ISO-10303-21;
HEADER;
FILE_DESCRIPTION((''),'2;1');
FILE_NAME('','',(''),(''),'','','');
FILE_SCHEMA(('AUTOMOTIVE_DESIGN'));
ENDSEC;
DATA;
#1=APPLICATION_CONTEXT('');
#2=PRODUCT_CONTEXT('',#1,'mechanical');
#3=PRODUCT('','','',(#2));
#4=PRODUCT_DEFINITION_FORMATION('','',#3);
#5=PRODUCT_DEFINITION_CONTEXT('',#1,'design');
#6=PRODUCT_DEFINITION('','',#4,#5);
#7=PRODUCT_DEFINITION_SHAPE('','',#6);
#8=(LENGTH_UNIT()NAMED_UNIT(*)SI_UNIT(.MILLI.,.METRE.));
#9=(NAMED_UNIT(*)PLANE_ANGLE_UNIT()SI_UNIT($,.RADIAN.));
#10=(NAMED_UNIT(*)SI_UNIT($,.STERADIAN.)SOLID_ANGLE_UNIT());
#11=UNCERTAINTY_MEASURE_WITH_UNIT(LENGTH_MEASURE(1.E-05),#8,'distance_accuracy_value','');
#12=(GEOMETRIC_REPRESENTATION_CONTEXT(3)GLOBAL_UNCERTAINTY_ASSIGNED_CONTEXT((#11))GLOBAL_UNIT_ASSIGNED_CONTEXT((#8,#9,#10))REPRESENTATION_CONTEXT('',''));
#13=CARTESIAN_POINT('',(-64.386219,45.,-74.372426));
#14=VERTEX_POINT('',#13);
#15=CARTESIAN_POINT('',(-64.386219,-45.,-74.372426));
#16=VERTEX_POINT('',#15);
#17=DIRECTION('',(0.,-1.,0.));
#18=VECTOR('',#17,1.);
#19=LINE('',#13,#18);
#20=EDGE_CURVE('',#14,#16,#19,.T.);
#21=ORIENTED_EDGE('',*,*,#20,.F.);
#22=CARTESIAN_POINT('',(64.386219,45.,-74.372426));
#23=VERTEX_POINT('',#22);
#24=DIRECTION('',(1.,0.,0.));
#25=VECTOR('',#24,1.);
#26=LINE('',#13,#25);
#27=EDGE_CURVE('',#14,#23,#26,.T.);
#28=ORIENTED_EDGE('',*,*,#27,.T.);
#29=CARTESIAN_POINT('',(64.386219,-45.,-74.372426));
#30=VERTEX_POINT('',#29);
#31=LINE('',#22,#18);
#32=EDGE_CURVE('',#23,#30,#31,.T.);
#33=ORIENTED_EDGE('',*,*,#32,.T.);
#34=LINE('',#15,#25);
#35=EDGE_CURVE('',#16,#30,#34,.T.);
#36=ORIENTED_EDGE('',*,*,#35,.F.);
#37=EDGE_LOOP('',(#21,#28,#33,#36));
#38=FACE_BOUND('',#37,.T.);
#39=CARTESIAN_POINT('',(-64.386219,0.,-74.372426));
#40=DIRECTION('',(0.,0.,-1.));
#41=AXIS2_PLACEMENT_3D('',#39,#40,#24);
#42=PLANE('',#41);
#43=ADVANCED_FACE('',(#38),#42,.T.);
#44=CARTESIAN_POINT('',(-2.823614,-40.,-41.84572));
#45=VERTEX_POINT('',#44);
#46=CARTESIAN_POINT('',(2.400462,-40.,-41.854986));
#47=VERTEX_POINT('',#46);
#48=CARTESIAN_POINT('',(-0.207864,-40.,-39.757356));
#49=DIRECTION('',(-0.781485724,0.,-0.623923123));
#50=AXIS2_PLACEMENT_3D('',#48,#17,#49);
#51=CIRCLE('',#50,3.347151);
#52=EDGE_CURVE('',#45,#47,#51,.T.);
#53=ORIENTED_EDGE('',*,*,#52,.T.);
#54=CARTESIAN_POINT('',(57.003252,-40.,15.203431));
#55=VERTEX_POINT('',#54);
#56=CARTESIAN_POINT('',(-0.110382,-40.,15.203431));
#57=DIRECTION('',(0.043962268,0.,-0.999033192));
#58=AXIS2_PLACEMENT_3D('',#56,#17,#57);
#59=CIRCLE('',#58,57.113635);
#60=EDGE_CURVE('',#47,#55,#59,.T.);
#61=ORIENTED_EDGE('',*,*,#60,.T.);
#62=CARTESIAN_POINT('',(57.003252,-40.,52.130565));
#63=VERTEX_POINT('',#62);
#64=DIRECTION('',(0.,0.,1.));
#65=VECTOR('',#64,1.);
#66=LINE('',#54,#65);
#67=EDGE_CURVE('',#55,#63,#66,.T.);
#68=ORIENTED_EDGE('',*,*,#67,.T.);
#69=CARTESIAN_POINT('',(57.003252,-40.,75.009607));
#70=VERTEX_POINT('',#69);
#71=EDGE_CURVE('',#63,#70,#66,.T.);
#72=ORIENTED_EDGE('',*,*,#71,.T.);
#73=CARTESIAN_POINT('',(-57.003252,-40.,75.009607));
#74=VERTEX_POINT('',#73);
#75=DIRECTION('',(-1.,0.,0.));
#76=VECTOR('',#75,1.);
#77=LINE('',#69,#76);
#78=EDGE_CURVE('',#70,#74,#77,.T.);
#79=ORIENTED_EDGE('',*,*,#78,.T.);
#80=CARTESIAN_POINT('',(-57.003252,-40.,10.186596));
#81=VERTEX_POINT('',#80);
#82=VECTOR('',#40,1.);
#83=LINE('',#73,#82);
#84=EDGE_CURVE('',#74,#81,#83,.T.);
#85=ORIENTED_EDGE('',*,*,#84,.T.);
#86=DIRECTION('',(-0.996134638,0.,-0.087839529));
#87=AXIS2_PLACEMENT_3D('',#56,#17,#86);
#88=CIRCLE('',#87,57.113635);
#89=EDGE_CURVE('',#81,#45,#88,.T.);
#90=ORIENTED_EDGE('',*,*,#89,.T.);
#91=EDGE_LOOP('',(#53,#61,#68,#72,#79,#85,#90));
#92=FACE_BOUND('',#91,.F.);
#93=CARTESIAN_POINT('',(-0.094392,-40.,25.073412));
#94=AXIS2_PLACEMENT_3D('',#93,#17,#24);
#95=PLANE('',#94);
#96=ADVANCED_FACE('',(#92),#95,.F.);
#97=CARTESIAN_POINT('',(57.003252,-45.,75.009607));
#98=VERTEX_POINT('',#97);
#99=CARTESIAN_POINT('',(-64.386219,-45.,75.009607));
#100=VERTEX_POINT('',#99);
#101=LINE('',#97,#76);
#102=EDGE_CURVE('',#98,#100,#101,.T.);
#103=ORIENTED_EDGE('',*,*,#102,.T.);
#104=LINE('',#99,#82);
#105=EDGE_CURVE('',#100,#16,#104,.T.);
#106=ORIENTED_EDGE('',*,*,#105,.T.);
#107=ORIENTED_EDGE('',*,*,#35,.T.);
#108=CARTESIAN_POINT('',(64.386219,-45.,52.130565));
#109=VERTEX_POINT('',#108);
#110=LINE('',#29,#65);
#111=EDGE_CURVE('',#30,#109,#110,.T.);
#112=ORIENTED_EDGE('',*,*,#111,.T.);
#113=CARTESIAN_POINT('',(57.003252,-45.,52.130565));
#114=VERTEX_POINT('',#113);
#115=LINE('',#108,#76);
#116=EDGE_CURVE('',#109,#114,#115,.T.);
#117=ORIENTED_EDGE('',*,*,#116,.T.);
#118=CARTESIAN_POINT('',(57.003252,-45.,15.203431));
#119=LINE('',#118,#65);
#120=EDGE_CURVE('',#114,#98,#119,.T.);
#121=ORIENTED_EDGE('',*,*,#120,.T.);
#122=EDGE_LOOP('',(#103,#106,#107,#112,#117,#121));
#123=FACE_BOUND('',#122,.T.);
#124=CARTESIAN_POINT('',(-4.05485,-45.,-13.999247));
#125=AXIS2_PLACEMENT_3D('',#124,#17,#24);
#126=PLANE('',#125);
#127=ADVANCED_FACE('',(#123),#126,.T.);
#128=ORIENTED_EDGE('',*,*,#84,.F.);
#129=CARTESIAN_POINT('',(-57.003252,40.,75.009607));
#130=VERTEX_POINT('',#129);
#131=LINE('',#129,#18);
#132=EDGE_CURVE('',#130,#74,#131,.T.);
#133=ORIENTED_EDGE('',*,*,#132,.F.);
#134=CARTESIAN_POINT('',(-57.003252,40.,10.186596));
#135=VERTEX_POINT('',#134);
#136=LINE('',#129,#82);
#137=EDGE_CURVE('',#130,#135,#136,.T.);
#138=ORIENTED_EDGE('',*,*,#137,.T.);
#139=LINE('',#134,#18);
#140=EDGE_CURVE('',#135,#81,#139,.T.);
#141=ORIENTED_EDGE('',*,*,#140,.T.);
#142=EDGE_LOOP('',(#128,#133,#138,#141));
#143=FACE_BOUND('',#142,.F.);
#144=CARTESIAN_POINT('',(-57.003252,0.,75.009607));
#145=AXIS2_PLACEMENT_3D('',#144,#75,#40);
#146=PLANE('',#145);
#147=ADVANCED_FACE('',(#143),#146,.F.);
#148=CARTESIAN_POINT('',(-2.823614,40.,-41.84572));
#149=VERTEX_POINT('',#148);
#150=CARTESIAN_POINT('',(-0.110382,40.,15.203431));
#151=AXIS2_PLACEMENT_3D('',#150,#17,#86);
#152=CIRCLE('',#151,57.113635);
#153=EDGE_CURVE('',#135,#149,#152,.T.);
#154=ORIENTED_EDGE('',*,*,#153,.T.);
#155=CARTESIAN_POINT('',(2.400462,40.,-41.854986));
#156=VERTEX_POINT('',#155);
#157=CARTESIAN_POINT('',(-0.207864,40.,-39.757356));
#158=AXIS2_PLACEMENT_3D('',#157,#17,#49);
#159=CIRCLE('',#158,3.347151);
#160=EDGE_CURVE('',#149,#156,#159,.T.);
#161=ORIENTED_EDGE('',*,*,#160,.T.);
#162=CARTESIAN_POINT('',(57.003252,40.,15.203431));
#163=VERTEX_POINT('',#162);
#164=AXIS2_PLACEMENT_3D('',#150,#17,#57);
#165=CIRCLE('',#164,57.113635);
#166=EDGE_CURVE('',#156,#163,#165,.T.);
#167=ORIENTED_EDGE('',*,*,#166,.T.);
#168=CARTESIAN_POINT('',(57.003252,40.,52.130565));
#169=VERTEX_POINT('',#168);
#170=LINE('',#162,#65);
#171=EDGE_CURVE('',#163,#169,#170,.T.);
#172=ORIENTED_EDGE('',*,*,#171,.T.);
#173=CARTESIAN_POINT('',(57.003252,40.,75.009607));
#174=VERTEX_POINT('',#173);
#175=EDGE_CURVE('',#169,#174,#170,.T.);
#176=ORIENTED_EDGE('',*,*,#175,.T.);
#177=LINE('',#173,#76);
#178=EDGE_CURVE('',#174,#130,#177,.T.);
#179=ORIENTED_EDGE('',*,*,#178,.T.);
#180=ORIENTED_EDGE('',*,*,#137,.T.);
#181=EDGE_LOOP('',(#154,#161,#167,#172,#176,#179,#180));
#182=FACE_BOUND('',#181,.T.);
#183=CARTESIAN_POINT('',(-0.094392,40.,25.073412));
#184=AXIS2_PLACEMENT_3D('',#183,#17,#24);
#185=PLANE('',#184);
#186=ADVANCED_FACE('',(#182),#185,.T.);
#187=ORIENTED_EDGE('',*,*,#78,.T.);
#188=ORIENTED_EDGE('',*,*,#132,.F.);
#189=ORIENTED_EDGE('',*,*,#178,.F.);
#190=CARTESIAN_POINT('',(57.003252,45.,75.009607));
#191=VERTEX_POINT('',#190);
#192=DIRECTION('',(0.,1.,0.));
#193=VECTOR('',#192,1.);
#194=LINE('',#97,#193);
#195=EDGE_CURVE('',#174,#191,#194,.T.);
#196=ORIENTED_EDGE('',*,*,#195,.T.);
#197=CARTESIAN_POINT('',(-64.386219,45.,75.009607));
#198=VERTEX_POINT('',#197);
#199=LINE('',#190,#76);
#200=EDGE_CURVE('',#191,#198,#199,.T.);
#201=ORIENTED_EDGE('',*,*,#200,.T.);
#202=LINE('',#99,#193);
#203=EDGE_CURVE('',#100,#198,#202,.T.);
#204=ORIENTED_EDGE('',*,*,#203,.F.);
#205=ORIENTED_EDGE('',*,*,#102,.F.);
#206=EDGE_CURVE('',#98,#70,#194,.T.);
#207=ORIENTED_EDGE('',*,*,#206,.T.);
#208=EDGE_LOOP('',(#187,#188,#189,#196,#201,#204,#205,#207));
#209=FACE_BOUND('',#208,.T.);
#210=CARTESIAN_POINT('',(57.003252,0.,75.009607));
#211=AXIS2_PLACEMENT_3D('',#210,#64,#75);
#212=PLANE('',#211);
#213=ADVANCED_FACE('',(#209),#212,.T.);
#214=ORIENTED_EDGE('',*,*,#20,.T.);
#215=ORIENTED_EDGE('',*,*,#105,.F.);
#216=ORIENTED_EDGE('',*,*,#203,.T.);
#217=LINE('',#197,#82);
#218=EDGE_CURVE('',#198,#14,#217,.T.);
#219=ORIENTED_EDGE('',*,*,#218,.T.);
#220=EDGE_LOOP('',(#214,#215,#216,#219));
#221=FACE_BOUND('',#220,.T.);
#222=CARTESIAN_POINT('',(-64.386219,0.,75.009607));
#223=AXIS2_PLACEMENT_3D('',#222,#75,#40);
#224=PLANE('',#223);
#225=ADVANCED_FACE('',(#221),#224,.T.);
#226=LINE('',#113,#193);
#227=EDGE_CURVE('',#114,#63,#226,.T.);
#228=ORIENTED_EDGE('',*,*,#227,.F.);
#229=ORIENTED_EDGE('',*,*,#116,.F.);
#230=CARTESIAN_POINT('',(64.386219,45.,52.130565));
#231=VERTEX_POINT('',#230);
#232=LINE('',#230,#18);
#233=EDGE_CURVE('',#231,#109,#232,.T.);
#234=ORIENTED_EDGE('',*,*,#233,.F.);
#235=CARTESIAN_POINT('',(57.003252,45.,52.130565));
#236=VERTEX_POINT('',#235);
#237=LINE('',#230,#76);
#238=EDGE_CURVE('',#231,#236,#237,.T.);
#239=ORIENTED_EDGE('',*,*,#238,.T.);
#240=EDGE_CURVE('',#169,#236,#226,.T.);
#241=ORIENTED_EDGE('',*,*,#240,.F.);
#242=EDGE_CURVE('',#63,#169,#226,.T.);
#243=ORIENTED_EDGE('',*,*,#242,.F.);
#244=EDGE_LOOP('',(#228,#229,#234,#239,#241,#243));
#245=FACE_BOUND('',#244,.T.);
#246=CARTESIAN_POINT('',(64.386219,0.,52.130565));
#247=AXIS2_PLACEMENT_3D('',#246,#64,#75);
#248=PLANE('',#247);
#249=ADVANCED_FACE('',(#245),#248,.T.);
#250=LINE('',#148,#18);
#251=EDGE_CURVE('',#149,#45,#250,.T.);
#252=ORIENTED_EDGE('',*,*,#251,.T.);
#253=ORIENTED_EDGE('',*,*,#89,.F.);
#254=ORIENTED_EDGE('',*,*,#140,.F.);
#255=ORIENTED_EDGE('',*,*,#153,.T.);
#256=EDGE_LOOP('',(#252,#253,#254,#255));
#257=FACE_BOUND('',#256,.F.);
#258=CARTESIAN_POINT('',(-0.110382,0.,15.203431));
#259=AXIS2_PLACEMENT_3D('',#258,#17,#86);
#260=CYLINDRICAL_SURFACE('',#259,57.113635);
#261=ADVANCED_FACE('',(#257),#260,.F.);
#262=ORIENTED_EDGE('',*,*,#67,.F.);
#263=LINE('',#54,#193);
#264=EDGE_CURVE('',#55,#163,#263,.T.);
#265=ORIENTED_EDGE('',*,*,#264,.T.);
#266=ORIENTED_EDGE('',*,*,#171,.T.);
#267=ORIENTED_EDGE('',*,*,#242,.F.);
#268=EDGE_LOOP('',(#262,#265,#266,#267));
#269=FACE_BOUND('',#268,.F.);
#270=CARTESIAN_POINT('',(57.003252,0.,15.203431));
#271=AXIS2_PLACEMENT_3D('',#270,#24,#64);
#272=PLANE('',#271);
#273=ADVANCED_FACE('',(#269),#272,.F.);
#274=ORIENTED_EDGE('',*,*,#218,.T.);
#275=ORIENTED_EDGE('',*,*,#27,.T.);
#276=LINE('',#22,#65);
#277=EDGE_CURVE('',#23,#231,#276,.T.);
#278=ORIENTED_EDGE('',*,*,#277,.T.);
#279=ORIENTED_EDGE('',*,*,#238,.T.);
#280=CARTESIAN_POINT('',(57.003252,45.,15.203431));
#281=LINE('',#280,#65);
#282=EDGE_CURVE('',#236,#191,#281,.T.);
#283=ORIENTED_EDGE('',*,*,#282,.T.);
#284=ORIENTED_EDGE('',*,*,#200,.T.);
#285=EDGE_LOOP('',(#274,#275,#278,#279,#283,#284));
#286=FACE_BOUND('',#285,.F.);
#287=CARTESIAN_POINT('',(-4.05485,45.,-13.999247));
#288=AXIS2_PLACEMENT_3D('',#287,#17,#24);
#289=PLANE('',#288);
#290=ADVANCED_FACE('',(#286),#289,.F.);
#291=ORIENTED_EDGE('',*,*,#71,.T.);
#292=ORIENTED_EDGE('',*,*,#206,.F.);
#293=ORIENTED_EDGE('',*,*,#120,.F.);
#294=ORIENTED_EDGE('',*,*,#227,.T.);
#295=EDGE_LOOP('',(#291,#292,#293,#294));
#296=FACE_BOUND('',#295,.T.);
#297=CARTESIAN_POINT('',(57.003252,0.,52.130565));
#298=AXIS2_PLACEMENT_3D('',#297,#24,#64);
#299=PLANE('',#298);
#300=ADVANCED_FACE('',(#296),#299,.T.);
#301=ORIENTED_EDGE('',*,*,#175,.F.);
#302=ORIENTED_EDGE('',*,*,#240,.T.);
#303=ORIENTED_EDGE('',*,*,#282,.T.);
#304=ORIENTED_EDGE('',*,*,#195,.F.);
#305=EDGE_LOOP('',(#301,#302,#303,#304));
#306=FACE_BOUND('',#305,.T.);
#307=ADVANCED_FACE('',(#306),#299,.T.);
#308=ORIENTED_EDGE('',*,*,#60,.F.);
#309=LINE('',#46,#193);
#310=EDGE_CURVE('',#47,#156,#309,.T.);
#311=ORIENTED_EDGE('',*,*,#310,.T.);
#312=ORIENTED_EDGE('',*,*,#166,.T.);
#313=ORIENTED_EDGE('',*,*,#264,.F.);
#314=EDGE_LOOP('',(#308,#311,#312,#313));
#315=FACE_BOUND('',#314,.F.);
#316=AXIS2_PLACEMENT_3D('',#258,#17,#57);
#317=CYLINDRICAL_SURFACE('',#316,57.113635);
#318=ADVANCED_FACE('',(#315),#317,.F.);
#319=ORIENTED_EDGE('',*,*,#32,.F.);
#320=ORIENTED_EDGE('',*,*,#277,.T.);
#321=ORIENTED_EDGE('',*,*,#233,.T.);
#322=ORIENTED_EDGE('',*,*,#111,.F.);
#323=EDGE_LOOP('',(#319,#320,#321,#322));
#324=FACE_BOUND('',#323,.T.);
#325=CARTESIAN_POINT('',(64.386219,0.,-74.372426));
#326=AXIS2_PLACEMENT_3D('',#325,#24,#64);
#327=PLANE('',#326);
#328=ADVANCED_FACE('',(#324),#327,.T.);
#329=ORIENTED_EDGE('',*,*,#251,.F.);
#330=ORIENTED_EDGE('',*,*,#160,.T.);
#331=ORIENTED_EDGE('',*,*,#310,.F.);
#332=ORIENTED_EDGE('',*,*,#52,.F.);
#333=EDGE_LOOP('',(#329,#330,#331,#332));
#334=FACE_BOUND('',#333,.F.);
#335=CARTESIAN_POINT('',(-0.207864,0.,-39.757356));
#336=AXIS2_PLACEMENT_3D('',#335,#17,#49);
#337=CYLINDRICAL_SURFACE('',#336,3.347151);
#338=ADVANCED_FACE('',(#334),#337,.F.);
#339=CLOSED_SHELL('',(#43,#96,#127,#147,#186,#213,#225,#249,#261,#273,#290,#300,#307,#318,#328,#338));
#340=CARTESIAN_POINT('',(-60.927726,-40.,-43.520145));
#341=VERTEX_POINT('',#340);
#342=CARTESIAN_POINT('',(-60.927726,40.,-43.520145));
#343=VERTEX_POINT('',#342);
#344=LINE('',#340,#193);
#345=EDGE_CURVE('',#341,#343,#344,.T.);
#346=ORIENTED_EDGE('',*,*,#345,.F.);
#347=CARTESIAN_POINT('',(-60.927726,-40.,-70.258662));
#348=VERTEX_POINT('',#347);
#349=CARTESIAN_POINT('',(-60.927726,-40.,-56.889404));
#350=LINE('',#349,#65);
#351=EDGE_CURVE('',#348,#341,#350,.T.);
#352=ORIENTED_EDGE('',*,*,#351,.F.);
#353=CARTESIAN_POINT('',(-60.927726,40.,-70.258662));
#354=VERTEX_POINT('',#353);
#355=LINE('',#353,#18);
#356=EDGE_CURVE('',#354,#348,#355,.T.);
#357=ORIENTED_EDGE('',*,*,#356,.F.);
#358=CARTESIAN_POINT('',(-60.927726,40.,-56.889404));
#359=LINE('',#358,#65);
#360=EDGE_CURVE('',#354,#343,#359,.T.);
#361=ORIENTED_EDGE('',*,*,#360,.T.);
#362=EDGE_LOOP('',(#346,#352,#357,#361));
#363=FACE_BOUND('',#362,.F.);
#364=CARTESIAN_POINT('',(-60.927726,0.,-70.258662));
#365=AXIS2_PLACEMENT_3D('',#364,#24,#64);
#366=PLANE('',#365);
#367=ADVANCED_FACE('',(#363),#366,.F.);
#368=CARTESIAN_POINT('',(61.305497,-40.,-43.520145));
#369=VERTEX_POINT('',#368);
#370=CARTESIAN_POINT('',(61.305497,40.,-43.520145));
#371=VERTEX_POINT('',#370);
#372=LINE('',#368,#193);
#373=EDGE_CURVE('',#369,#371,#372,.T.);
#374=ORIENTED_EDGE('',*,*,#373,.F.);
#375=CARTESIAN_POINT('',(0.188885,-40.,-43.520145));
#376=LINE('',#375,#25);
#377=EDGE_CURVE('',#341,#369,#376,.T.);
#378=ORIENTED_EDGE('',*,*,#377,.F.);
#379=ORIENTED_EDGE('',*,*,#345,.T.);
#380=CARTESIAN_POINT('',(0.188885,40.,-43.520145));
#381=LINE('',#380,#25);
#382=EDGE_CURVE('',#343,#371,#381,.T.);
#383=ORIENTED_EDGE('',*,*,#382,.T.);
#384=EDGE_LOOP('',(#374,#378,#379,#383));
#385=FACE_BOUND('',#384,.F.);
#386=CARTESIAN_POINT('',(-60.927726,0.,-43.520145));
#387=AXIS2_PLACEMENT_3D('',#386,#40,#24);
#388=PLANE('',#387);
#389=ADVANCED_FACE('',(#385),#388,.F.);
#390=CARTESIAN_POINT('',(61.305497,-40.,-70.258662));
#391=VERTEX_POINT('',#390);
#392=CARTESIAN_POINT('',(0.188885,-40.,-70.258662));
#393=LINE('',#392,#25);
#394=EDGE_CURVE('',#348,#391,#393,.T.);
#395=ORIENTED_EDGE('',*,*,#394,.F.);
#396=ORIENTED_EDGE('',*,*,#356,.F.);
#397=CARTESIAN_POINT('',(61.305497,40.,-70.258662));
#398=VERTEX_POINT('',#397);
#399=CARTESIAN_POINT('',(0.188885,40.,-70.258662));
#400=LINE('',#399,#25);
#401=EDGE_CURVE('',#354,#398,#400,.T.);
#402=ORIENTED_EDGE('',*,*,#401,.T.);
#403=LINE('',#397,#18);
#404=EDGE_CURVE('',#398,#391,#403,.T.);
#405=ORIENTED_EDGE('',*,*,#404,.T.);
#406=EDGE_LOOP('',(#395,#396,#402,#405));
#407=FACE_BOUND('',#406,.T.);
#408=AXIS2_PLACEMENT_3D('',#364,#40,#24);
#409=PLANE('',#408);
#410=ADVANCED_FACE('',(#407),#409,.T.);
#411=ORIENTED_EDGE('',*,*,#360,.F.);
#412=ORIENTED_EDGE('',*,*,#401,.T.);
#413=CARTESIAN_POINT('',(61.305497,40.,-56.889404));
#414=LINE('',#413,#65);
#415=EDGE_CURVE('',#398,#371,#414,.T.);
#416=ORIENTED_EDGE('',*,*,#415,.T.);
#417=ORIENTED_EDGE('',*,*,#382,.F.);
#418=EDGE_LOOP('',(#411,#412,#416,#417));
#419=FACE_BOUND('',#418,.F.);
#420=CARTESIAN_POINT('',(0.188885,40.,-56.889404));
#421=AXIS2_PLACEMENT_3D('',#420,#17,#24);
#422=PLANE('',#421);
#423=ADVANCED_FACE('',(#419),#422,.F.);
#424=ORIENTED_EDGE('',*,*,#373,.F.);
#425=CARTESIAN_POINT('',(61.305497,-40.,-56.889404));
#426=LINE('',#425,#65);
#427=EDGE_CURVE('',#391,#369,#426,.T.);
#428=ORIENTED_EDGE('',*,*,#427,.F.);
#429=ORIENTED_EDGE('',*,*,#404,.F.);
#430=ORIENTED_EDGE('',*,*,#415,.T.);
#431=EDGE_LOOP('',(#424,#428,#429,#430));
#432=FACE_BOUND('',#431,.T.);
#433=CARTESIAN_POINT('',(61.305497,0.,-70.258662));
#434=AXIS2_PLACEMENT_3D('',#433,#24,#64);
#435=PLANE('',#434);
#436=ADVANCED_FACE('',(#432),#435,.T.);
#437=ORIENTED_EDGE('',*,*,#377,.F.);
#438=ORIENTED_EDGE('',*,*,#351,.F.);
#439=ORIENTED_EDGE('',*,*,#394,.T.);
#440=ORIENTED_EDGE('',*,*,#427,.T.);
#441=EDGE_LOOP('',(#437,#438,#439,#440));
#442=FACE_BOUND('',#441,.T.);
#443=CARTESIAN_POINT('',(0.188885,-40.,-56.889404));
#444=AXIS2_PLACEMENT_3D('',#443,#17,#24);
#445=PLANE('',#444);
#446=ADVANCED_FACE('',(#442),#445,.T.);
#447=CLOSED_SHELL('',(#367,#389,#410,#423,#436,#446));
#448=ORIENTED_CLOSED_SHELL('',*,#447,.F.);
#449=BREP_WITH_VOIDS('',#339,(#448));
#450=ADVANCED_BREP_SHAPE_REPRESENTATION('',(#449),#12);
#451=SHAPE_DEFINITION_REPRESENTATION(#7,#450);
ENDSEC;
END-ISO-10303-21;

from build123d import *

# Parameters (mm, degrees)
F0_W     = 122.23322317
F0_H     = 26.7385169864
F1_DEPTH = 45
F2_DEPTH = 40
F3_DEPTH = 40


with BuildPart() as f1:
    # F0 (on Front) → F1 (new body, symmetric)
    with BuildSketch(Plane.XZ):
        with BuildLine():
            Line((-57.0032522082, 75.0096067786), (-64.3862187862, 75.0096067786))
            Line((-64.3862187862, 75.0096067786), (-64.3862187862, -74.3724256754))
            Line((-64.3862187862, -74.3724256754), (0, -74.3724256754))
            Line((0, -74.3724256754), (64.3862187862, -74.3724256754))
            Line((64.3862187862, -74.3724256754), (64.3862187862, 52.1305650473))
            Line((64.3862187862, 52.1305650473), (57.0032522082, 52.1305650473))
            Line((57.0032522082, 52.1305650473), (57.0032522082, 15.2034306045))
            ThreePointArc((57.0032522082, 15.2034306045), (41.1532258631, -24.2843129669), (2.40046245, -41.8549861284))
            ThreePointArc((2.40046245, -41.8549861284), (-0.213800426, -43.1045012545), (-2.8236144574, -41.8457204329))
            ThreePointArc((-2.8236144574, -41.8457204329), (-39.6712510694, -25.9900753758), (-57.0032522082, 10.1865958446))
            Line((-57.0032522082, 10.1865958446), (-57.0032522082, 75.0096067786))
        make_face()
        with Locations((0.1888852566, -56.8894036114)):
            Rectangle(F0_W, F0_H, mode=Mode.SUBTRACT)
        with BuildLine():
            Line((57.0032522082, 75.0096067786), (-57.0032522082, 75.0096067786))
            Line((-57.0032522082, 75.0096067786), (-57.0032522082, 10.1865958446))
            ThreePointArc((-57.0032522082, 10.1865958446), (-39.6712510694, -25.9900753758), (-2.8236144574, -41.8457204329))
            ThreePointArc((-2.8236144574, -41.8457204329), (-0.2116819988, -41.9101142032), (2.40046245, -41.8549861284))
            ThreePointArc((2.40046245, -41.8549861284), (41.1532258631, -24.2843129669), (57.0032522082, 15.2034306045))
            Line((57.0032522082, 15.2034306045), (57.0032522082, 52.1305650473))
            Line((57.0032522082, 52.1305650473), (57.0032522082, 75.0096067786))
        make_face()
        with Locations((0.1888852566, -56.8894036114)):
            Rectangle(F0_W, F0_H)
        with BuildLine():
            ThreePointArc((2.40046245, -41.8549861284), (-0.2116819988, -41.9101142032), (-2.8236144574, -41.8457204329))
            ThreePointArc((-2.8236144574, -41.8457204329), (-0.213800426, -43.1045012545), (2.40046245, -41.8549861284))
        make_face()
    extrude(amount=F1_DEPTH, both=True)

    # F0 (on Front) → F2 (cut, symmetric)
    with BuildSketch(Plane.XZ):
        with BuildLine():
            Line((57.0032522082, 75.0096067786), (-57.0032522082, 75.0096067786))
            Line((-57.0032522082, 75.0096067786), (-57.0032522082, 10.1865958446))
            ThreePointArc((-57.0032522082, 10.1865958446), (-39.6712510694, -25.9900753758), (-2.8236144574, -41.8457204329))
            ThreePointArc((-2.8236144574, -41.8457204329), (-0.2116819988, -41.9101142032), (2.40046245, -41.8549861284))
            ThreePointArc((2.40046245, -41.8549861284), (41.1532258631, -24.2843129669), (57.0032522082, 15.2034306045))
            Line((57.0032522082, 15.2034306045), (57.0032522082, 52.1305650473))
            Line((57.0032522082, 52.1305650473), (57.0032522082, 75.0096067786))
        make_face()
        with BuildLine():
            ThreePointArc((2.40046245, -41.8549861284), (-0.2116819988, -41.9101142032), (-2.8236144574, -41.8457204329))
            ThreePointArc((-2.8236144574, -41.8457204329), (-0.213800426, -43.1045012545), (2.40046245, -41.8549861284))
        make_face()
    extrude(amount=F2_DEPTH, both=True, mode=Mode.SUBTRACT)

    # F0 (on Front) → F3 (cut, symmetric)
    with BuildSketch(Plane.XZ):
        with Locations((0.1888852566, -56.8894036114)):
            Rectangle(F0_W, F0_H)
    extrude(amount=F3_DEPTH, both=True, mode=Mode.SUBTRACT)


solid = f1.part
